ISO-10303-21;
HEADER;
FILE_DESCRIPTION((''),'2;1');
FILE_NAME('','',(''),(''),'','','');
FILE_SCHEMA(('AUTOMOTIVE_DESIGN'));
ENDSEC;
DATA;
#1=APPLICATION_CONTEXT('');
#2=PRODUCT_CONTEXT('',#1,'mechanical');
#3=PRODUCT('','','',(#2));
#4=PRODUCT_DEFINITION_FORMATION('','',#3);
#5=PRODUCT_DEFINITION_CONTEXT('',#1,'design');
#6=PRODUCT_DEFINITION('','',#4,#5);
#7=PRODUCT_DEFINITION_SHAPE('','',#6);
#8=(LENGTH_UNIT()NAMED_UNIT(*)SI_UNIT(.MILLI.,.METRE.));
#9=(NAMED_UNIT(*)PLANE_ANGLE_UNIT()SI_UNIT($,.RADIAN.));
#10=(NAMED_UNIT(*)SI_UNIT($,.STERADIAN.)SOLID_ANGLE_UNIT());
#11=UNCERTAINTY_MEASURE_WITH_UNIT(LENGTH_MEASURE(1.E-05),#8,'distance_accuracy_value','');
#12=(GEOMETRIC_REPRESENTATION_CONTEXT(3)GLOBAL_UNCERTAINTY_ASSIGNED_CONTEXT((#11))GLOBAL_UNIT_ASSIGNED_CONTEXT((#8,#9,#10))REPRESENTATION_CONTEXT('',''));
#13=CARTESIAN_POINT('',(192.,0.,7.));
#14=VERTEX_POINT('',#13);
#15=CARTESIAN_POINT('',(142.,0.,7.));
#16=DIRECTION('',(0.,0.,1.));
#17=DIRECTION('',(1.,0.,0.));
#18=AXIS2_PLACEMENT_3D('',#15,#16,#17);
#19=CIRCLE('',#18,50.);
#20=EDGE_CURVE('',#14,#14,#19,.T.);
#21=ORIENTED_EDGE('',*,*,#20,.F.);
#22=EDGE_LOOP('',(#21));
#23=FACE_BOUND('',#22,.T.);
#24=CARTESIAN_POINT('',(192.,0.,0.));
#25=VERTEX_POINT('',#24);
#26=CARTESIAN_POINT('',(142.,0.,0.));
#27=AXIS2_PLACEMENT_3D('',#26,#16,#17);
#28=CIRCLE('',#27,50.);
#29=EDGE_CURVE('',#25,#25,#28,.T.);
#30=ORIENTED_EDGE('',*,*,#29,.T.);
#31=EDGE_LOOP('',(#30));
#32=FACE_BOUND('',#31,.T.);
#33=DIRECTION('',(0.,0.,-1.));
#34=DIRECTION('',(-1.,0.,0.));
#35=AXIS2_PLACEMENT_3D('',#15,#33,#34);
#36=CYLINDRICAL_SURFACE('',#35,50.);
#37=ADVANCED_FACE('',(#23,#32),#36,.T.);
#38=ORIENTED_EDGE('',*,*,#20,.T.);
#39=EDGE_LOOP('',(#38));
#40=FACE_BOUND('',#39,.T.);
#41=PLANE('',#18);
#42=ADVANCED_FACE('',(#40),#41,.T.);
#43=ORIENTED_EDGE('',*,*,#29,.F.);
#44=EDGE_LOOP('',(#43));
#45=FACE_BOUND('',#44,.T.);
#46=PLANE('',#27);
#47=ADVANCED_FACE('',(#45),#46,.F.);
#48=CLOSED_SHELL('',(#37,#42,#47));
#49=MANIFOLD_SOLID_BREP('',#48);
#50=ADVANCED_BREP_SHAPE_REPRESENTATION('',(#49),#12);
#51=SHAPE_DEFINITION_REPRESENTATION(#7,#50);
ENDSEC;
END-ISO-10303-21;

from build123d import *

# Parameters (mm, degrees)
ESQUISSE1_R      = 50
EXTRUSION1_DEPTH = 7


with BuildPart() as part:
    # Esquisse1 → Extrusion1 (new body)
    with BuildSketch(Plane.XY):
        with Locations((142, 0)):
            Circle(ESQUISSE1_R)
    extrude(amount=EXTRUSION1_DEPTH)


solid = part.part
